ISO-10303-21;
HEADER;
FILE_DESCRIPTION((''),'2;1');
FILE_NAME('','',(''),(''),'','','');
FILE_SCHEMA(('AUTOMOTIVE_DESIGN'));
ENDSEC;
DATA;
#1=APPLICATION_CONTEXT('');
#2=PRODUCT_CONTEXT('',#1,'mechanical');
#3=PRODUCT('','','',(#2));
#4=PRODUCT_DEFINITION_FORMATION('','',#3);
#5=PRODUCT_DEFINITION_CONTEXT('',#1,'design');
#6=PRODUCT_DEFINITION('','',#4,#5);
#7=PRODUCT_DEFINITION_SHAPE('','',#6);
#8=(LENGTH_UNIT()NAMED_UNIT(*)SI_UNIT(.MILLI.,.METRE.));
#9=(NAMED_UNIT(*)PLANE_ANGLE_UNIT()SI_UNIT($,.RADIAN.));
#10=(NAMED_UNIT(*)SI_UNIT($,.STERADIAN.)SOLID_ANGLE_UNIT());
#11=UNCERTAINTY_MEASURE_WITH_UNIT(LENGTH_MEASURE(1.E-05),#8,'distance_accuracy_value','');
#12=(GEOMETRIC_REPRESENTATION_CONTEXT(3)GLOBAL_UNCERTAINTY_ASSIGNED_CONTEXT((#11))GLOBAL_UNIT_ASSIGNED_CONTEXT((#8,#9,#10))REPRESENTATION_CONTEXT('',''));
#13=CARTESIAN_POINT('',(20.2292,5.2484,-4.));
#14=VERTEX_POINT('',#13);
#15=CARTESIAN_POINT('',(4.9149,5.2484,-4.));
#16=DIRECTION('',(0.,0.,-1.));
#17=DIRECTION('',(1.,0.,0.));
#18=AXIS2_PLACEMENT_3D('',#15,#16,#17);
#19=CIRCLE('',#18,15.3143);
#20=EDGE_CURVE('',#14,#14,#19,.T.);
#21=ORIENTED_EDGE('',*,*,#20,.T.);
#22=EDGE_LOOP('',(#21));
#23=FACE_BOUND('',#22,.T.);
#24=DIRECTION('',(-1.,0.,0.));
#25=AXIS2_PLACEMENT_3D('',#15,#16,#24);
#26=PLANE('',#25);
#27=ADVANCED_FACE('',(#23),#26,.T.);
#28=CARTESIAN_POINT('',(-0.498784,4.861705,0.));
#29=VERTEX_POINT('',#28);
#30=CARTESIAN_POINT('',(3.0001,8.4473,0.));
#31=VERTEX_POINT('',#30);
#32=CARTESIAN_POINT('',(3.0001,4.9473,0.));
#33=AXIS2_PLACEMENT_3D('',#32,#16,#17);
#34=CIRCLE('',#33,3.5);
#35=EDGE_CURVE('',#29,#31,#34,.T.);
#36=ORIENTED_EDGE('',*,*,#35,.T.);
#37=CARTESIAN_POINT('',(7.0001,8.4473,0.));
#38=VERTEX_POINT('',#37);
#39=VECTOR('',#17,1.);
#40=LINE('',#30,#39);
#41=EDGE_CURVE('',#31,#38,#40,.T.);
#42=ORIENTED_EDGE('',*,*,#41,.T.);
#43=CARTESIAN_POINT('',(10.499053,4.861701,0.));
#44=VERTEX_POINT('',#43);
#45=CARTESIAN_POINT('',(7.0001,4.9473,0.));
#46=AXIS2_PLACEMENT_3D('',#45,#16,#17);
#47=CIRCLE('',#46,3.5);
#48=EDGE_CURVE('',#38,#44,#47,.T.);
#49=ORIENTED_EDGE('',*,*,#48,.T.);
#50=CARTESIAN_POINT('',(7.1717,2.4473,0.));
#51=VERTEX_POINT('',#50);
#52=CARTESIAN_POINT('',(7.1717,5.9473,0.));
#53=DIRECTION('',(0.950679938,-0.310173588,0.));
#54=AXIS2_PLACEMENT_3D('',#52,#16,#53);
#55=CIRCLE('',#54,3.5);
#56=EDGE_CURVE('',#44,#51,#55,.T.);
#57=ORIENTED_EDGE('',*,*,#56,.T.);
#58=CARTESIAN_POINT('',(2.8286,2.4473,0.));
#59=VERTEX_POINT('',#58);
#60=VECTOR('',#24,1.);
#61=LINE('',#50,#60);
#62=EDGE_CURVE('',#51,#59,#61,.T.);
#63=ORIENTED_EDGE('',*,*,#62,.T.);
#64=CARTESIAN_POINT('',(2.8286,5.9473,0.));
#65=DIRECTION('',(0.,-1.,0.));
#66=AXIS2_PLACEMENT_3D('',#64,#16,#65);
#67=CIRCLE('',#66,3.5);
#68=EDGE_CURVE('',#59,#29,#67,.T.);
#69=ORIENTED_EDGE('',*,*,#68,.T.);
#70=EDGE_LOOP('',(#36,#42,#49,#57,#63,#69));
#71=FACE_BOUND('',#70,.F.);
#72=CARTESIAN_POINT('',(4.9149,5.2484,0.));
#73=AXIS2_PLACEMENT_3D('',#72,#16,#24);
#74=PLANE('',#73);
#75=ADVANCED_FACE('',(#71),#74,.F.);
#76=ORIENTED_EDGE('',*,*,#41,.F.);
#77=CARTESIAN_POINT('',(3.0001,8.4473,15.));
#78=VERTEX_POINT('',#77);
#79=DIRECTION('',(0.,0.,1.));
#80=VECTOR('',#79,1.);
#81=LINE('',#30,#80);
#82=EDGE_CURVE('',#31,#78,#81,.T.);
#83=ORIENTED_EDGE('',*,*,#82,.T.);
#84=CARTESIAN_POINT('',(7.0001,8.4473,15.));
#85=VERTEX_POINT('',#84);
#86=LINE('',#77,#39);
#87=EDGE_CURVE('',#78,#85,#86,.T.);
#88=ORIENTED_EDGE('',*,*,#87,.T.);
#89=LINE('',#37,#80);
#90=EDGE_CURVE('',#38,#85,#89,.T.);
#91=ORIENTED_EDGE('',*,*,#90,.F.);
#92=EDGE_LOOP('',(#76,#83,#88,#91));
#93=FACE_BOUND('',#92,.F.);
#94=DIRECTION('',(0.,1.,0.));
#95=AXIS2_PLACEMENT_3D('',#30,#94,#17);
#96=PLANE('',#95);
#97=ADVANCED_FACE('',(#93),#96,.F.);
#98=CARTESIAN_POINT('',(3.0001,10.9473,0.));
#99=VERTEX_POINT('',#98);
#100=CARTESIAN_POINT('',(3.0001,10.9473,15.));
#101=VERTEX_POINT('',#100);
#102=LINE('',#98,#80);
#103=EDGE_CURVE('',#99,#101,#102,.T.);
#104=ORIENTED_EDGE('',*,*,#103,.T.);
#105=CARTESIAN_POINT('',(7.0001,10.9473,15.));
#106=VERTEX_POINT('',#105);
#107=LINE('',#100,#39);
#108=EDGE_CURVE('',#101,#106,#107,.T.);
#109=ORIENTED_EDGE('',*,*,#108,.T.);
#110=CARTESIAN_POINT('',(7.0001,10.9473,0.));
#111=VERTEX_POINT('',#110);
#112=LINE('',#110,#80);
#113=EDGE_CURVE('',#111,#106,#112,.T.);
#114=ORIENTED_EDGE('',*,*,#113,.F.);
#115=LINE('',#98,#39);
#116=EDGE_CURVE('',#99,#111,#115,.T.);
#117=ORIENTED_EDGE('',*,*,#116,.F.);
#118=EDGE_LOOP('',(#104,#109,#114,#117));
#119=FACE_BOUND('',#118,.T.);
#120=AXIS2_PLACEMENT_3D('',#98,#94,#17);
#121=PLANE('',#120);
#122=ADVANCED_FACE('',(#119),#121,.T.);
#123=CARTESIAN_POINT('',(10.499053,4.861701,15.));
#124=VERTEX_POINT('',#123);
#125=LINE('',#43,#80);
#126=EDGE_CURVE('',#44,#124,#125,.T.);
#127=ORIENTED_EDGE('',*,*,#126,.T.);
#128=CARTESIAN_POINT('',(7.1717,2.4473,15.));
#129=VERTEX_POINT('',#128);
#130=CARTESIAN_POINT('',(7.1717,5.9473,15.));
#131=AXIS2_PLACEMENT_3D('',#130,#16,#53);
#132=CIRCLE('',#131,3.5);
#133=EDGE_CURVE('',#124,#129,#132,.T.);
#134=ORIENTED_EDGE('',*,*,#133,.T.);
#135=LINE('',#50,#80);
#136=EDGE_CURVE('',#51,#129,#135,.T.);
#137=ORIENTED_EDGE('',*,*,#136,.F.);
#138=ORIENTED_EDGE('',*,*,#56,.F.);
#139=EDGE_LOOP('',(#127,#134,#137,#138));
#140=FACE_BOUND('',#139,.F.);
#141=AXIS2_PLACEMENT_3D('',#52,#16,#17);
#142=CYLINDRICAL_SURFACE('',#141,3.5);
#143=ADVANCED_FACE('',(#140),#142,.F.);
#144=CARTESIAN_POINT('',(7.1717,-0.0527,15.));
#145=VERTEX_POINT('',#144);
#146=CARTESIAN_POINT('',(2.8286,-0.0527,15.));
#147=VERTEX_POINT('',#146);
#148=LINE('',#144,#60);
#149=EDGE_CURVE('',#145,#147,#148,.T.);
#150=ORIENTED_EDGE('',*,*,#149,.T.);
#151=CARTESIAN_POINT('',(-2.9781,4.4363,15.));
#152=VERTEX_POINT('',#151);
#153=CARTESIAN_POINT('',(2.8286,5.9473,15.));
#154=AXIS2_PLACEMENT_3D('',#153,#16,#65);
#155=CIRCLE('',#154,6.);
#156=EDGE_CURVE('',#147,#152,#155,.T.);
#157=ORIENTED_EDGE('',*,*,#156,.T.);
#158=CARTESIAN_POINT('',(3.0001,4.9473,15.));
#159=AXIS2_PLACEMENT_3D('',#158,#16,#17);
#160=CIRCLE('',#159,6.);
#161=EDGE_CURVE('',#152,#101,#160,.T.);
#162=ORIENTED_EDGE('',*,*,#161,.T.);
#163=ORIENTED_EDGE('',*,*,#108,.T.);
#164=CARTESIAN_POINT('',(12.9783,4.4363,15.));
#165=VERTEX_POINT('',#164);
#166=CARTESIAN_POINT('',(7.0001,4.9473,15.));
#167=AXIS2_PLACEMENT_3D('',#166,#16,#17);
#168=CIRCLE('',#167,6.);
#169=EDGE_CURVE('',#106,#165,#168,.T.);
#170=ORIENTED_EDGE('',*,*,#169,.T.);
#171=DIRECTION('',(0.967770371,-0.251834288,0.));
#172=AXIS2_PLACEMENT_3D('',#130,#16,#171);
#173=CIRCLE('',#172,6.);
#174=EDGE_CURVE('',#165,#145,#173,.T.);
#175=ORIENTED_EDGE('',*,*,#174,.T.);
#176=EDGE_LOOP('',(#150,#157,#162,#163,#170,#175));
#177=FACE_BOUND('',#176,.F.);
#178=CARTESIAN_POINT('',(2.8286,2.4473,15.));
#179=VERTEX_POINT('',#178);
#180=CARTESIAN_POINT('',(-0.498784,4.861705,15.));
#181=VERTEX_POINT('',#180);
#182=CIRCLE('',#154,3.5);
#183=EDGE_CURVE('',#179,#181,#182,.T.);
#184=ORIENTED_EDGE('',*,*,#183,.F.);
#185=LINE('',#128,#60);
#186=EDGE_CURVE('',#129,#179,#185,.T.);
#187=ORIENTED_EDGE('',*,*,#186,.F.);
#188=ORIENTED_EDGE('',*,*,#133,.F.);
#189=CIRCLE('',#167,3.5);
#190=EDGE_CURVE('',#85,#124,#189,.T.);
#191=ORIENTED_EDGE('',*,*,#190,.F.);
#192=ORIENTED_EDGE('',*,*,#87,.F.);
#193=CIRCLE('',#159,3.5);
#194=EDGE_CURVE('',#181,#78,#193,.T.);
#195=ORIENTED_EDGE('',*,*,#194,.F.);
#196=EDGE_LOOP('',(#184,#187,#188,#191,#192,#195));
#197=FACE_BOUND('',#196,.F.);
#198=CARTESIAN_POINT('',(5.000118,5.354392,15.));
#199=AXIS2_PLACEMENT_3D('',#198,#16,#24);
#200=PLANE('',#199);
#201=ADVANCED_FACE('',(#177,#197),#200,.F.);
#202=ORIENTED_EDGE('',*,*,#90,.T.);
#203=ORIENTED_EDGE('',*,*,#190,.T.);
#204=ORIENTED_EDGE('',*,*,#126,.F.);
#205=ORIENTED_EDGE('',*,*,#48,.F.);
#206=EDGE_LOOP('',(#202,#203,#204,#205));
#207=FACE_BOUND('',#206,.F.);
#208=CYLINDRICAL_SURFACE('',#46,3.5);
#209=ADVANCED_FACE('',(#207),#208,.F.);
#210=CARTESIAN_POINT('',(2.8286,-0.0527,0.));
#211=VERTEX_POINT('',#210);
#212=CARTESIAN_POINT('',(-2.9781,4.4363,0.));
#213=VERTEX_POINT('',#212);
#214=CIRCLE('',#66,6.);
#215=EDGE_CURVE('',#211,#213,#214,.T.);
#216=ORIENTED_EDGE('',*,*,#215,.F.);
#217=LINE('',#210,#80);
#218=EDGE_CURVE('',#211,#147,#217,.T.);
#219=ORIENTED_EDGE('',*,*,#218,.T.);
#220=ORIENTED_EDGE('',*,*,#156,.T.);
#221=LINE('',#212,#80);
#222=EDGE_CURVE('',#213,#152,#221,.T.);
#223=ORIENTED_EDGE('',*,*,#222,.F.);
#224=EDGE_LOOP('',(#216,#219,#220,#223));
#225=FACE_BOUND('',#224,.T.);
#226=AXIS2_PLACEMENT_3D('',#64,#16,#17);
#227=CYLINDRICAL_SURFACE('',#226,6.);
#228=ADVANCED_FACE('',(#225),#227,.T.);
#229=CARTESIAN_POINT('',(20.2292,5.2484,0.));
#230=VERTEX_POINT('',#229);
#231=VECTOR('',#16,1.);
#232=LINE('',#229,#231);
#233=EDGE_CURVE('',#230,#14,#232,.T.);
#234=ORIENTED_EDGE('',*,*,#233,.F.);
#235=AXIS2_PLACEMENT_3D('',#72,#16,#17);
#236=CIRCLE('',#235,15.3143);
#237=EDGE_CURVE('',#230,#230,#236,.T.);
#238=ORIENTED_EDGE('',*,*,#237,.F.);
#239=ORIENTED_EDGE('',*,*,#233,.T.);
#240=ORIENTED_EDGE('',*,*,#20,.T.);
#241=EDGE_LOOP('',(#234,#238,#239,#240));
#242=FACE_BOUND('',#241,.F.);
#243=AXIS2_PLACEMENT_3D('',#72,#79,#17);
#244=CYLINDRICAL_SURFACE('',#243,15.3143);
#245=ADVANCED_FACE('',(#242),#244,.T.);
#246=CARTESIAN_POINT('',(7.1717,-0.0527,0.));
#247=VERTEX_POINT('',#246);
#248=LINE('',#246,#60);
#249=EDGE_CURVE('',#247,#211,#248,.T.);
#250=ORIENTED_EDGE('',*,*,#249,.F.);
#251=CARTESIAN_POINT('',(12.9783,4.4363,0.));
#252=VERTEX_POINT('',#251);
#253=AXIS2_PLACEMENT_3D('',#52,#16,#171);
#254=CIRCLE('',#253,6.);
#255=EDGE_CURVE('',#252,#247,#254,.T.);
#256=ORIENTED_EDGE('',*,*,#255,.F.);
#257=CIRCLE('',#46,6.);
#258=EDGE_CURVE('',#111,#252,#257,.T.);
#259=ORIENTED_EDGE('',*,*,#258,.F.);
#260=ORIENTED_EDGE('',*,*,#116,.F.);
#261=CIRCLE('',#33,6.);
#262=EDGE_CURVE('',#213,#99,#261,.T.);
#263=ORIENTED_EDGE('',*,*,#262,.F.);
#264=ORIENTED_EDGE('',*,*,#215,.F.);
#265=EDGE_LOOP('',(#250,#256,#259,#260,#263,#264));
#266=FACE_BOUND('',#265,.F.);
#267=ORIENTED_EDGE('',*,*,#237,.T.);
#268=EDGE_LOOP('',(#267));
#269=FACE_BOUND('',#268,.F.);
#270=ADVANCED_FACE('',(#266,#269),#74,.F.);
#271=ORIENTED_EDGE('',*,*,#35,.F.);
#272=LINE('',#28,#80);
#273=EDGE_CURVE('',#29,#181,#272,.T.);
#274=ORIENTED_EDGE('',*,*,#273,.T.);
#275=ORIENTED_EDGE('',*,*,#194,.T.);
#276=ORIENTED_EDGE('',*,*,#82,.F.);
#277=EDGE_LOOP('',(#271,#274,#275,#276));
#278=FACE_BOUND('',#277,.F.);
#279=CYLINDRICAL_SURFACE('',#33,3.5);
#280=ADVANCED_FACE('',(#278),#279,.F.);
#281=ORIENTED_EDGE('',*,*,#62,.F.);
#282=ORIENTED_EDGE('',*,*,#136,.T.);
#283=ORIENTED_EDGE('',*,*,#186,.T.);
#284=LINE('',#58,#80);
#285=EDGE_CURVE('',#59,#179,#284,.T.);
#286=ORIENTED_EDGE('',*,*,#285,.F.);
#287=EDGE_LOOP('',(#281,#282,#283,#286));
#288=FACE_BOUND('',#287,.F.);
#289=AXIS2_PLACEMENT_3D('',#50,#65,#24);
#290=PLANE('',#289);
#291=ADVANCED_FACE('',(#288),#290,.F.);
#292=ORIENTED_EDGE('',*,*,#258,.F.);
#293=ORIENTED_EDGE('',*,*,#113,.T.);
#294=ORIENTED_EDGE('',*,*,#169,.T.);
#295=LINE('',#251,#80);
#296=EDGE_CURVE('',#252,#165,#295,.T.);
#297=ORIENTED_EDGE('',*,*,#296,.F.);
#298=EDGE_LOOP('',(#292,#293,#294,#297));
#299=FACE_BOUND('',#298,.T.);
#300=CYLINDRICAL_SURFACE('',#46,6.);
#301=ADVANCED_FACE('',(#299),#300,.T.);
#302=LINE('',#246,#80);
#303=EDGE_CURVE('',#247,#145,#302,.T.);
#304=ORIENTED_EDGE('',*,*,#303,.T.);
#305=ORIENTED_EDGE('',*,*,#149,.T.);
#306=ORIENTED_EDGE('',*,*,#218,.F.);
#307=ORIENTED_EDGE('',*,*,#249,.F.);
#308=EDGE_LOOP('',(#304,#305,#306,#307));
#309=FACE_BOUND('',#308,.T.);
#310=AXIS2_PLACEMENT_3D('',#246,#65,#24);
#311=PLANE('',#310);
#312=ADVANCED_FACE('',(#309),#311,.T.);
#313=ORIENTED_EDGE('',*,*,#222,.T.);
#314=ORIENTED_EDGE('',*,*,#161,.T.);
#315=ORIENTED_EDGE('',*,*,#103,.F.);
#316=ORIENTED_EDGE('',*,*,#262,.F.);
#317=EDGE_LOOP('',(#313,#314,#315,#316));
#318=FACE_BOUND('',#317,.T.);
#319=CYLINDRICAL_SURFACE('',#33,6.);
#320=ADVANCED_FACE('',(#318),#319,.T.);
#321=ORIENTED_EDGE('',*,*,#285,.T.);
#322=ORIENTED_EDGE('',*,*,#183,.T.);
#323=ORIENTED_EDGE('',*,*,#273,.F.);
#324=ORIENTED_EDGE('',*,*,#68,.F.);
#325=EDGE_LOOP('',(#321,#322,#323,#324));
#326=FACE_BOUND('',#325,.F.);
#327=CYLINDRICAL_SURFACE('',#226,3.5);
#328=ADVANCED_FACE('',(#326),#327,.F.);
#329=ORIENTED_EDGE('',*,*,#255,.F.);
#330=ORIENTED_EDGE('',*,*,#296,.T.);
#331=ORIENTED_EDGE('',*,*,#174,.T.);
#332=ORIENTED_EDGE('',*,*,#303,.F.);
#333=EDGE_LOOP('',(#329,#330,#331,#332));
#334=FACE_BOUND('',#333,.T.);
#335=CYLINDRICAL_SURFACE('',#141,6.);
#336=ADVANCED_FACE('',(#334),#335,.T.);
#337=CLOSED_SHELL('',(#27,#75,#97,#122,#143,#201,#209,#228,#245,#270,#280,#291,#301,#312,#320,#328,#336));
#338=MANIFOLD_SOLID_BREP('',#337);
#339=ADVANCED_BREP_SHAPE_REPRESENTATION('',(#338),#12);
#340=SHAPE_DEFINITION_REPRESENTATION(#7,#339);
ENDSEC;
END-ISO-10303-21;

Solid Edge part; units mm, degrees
sketch "Sketch1" plane through (0, 0, 0) normal (0, 0, 1) x (1, 0, 0)
  arc A0 (-2.9781, 4.4363) -> (3.0001, 10.9473) centre (3.0001, 4.9473) cw
  line L0 (3.0001, 10.9473) -> (7.0001, 10.9473)
  arc A1 (7.0001, 10.9473) -> (12.9783, 4.4363) centre (7.0001, 4.9473) cw
  arc A2 (12.9783, 4.4363) -> (10.4883, 0.9473) centre (7.1717, 5.9473) cw
  arc A3 (10.4883, 0.9473) -> (7.1717, -0.0527) centre (7.1717, 5.9473) cw
  line L1 (7.1717, -0.0527) -> (2.8286, -0.0527)
  arc A4 (2.8286, -0.0527) -> (-0.4881, 0.9473) centre (2.8286, 5.9473) cw
  arc A5 (-0.4881, 0.9473) -> (-2.9781, 4.4363) centre (2.8286, 5.9473) cw
  line L2 (3.0001, 8.4473) -> (7.0001, 8.4473)
  arc A6 (7.0001, 8.4473) -> (10.4991, 4.8617) centre (7.0001, 4.9473) cw
  arc A7 (10.4991, 4.8617) -> (9.1064, 3.0306) centre (7.1717, 5.9473) cw
  arc A8 (9.1064, 3.0306) -> (7.1717, 2.4473) centre (7.1717, 5.9473) cw
  line L3 (7.1717, 2.4473) -> (2.8286, 2.4473)
  arc A9 (2.8286, 2.4473) -> (0.8939, 3.0306) centre (2.8286, 5.9473) cw
  arc A10 (0.8939, 3.0306) -> (-0.4988, 4.8617) centre (2.8286, 5.9473) cw
  arc A11 (-0.4988, 4.8617) -> (3.0001, 8.4473) centre (3.0001, 4.9473) cw
  dimension "D1" = 2.5
extrude "Protrusion1" add sketch "Sketch1" along normal blind 15
sketch "Sketch2" plane through (5.0001, 5.4473, 0) normal (0, 0, -1) x (1, 0, 0)
  circle A0 centre (-0.0852, 0.1989) radius 15.3143
extrude "ExtrudedProtrusion_2" add sketch "Sketch2" along normal blind 4
